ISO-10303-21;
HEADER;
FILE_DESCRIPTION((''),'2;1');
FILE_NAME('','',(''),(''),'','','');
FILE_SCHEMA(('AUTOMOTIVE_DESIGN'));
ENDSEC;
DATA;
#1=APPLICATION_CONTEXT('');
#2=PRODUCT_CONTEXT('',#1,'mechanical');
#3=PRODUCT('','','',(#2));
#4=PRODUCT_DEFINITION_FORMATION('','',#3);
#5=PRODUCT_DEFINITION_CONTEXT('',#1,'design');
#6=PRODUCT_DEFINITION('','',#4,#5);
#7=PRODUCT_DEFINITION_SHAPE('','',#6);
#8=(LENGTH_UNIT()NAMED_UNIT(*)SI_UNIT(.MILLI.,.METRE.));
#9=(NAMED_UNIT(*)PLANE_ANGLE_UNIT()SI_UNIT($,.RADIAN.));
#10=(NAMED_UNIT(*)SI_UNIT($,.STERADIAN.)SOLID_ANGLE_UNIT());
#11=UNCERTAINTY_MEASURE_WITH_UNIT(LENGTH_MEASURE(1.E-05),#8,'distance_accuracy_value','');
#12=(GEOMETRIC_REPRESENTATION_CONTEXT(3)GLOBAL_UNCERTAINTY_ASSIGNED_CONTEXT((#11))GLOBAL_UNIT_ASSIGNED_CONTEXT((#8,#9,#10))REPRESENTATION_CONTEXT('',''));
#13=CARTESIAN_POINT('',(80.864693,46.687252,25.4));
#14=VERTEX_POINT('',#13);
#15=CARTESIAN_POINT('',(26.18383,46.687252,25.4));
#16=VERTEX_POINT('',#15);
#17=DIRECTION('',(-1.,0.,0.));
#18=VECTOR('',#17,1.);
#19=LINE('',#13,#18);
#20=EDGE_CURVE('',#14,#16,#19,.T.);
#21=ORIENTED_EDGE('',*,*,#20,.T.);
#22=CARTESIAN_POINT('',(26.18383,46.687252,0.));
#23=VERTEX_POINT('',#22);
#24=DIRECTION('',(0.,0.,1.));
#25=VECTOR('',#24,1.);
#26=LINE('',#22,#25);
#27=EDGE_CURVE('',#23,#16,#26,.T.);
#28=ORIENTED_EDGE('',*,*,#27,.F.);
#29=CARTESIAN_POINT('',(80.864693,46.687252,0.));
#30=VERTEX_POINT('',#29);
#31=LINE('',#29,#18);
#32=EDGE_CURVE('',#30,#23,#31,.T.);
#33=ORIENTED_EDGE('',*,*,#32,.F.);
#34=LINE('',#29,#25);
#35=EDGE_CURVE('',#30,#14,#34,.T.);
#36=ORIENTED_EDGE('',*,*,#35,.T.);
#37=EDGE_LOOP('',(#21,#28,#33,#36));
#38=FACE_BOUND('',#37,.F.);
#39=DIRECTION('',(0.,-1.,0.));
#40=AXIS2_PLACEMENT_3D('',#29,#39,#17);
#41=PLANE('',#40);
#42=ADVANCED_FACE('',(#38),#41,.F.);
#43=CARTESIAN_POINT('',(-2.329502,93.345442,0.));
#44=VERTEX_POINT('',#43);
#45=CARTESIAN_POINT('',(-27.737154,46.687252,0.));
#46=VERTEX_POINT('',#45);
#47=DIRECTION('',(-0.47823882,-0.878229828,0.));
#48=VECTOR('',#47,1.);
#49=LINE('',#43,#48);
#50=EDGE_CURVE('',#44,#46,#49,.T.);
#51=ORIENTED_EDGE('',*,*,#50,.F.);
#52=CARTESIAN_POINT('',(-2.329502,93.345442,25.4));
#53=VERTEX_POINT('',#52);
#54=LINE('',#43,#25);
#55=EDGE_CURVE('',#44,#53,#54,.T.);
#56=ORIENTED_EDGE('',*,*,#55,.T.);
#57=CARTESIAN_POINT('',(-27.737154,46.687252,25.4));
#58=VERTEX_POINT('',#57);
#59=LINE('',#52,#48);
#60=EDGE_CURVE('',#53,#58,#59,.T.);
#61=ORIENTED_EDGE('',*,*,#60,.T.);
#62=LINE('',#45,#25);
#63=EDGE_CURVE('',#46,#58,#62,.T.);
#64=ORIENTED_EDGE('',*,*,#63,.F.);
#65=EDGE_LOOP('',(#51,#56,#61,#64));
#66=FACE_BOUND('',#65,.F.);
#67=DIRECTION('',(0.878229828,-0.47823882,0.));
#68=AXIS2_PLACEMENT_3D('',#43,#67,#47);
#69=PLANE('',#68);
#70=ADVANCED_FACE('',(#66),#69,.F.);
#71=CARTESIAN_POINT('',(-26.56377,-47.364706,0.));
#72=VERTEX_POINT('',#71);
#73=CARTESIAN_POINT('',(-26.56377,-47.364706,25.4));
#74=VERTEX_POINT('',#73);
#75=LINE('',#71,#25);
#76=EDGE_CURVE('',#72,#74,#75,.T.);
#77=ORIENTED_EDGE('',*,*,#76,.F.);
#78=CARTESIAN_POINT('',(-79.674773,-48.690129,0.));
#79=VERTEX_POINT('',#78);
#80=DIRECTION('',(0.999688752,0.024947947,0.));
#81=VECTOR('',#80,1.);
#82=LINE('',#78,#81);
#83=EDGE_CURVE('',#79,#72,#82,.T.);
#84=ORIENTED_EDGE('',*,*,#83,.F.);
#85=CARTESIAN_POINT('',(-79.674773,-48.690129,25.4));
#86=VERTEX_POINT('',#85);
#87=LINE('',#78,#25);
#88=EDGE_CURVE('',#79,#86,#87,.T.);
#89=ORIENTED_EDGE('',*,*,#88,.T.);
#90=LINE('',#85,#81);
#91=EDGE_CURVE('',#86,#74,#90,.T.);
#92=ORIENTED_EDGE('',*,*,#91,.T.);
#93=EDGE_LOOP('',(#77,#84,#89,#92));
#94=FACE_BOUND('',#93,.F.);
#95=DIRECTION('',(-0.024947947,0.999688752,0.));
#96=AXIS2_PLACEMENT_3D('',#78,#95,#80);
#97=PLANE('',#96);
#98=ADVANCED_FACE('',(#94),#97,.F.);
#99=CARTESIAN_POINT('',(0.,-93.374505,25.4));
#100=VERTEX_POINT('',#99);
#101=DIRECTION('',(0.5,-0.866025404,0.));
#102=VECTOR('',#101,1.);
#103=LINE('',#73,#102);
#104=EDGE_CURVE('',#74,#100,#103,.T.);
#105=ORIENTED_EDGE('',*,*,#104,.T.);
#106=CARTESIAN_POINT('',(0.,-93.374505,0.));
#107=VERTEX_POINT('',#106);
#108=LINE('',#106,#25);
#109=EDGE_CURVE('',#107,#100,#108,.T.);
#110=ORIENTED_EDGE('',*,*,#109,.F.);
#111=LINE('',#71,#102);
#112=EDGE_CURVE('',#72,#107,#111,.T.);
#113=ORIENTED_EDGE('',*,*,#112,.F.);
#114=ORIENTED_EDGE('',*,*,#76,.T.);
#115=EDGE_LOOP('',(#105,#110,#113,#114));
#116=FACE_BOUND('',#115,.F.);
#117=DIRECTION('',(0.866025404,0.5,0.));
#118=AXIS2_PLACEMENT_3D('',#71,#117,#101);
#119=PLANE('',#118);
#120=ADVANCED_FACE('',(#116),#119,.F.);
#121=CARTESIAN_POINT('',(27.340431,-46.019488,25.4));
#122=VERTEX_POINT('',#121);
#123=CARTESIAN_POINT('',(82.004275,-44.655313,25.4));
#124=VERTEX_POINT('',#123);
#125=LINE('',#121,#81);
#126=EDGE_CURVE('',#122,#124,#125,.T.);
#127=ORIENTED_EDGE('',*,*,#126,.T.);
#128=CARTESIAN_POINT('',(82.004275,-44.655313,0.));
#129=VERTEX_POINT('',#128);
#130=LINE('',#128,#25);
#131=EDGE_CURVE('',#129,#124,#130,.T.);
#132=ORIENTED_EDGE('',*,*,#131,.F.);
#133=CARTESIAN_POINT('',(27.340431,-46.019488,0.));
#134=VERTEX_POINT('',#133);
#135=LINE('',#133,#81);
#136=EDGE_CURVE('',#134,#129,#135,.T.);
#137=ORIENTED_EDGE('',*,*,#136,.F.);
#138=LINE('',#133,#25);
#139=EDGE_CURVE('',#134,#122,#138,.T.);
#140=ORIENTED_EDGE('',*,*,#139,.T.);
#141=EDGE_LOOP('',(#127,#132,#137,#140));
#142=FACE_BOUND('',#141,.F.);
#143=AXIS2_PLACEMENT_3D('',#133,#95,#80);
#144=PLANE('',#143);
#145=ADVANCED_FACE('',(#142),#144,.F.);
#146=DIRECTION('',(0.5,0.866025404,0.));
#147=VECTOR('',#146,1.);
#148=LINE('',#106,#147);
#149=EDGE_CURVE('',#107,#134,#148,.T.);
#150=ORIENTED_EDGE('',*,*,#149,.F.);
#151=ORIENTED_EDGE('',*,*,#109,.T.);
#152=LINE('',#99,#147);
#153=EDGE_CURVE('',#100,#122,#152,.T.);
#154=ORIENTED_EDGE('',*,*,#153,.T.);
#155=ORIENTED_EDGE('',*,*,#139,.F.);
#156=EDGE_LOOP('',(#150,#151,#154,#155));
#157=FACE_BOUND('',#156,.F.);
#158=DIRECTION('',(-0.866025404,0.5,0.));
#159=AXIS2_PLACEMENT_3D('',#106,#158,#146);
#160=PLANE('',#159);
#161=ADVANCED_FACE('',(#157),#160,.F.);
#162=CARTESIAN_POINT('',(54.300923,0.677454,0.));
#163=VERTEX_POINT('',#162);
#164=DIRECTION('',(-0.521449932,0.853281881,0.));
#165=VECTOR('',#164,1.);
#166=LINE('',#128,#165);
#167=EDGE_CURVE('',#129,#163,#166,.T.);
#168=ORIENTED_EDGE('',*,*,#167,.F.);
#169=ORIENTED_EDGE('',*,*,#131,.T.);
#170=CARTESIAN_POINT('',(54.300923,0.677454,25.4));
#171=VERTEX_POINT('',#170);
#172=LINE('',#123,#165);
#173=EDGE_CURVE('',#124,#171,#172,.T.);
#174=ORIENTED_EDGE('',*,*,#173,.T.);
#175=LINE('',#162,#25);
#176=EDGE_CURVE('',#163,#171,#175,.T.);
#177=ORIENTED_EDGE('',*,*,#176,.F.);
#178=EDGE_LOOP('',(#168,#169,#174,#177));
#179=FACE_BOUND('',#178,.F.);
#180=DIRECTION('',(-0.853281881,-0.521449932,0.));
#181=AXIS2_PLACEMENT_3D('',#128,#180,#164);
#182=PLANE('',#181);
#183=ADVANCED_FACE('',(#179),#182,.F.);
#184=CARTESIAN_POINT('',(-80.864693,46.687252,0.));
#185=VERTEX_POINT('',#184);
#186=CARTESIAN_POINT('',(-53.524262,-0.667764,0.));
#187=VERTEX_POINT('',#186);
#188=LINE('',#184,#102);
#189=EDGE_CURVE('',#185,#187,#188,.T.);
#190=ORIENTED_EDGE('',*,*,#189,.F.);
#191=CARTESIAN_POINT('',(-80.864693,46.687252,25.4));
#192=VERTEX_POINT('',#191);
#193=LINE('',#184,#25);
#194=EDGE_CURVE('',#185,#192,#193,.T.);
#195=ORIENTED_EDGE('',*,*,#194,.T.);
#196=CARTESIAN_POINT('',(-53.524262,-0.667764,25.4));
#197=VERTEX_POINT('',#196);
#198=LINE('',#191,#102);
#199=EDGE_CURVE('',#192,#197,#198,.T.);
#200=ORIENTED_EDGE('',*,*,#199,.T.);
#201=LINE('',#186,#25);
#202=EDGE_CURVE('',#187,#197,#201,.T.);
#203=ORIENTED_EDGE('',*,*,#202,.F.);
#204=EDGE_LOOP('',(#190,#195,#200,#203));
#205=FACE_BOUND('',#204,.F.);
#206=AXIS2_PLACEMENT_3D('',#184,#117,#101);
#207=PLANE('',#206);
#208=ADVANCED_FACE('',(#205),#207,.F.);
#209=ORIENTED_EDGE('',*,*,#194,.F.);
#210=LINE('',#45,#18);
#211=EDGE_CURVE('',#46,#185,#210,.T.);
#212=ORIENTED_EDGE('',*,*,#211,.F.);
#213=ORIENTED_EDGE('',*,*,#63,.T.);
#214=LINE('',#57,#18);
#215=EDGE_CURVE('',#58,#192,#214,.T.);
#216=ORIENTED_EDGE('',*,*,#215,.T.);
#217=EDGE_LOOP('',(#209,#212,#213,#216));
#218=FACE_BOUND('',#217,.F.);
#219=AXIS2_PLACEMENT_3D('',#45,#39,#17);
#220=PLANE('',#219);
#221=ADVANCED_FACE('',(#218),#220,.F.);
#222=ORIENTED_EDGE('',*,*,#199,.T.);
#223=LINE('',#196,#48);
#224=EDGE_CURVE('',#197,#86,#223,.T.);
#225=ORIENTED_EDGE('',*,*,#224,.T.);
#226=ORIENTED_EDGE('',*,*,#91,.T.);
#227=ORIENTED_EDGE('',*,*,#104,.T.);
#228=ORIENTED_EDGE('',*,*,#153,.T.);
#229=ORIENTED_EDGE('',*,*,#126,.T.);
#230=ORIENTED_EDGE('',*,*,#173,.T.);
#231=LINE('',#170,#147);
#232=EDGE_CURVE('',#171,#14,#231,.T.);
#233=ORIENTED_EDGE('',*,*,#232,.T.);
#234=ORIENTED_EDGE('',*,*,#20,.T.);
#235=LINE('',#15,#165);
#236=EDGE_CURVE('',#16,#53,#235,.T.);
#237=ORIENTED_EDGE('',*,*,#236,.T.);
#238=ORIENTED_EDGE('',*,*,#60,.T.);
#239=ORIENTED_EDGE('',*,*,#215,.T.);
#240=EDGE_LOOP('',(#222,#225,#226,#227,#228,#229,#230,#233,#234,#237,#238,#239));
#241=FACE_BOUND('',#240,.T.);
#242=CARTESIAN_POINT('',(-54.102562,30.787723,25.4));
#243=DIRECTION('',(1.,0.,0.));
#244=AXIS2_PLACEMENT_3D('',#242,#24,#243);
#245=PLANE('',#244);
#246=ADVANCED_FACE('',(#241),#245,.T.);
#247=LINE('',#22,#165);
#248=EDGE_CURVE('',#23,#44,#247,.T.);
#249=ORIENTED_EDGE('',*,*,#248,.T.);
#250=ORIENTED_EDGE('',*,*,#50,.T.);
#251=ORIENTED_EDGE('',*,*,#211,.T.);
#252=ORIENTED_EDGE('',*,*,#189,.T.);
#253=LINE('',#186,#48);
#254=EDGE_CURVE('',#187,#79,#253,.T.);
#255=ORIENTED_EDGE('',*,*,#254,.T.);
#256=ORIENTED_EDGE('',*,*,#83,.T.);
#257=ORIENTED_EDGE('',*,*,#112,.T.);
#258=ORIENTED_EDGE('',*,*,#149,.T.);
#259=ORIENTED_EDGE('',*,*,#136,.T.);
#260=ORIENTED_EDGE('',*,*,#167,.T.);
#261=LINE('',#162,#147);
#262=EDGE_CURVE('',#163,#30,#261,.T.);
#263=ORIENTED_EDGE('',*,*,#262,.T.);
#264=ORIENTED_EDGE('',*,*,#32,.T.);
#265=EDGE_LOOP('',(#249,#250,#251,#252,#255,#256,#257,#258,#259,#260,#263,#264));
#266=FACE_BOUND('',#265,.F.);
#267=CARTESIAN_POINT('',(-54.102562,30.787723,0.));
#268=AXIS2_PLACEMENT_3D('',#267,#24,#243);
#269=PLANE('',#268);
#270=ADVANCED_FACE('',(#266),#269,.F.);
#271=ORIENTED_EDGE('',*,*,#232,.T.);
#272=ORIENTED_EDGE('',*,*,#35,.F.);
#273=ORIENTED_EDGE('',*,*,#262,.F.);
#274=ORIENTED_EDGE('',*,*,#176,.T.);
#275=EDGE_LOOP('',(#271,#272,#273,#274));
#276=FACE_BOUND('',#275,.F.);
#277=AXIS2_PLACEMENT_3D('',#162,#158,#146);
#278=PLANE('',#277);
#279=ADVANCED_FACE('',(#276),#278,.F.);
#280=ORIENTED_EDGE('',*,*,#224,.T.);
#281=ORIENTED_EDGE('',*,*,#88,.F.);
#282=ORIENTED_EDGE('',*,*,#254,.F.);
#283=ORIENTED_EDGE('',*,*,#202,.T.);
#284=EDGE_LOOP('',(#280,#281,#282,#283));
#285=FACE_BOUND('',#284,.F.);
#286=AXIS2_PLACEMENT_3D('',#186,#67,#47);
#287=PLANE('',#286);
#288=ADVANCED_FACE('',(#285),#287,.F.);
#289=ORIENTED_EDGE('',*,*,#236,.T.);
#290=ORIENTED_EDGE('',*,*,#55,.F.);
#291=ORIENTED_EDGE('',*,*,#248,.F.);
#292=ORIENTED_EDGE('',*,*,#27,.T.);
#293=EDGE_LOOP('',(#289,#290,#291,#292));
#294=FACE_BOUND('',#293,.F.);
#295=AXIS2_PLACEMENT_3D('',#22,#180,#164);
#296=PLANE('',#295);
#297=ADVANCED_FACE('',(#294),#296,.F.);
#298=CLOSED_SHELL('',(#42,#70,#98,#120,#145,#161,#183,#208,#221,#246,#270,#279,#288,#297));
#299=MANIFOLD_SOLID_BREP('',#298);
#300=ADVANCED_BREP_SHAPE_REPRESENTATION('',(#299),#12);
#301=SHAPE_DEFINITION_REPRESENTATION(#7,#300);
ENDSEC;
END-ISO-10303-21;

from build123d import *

# Parameters (mm, degrees)
F1_DEPTH = 25.4


with BuildPart() as f1:
    # F0 (on Top) → F1 (new body)
    with BuildSketch(Plane.XY):
        Polygon((-53.5242615514, -0.6677641515), (-27.7371538567, 46.6872522981), (-80.864693046, 46.6872522981), align=None)
        Polygon((26.1838300567, 46.6872522981), (-2.3295022303, 93.3454419237), (-27.7371538567, 46.6872522981), align=None)
        Polygon((80.864693046, 46.6872522981), (26.1838300567, 46.6872522981), (54.3009234514, 0.6774537196), align=None)
        Polygon((82.0042751486, -44.6553128522), (54.3009234514, 0.6774537196), (27.3404314946, -46.0194881465), align=None)
        Polygon((-26.5637695946, -47.3647060176), (-53.5242615514, -0.6677641515), (-79.6747729182, -48.6901290715), align=None)
        Polygon((0, -93.3745045961), (27.3404314946, -46.0194881465), (-26.5637695946, -47.3647060176), align=None)
        Polygon((54.3009234514, 0.6774537196), (26.1838300567, 46.6872522981), (-27.7371538567, 46.6872522981), (-53.5242615514, -0.6677641515), (-26.5637695946, -47.3647060176), (27.3404314946, -46.0194881465), align=None)
    extrude(amount=F1_DEPTH)


solid = f1.part
